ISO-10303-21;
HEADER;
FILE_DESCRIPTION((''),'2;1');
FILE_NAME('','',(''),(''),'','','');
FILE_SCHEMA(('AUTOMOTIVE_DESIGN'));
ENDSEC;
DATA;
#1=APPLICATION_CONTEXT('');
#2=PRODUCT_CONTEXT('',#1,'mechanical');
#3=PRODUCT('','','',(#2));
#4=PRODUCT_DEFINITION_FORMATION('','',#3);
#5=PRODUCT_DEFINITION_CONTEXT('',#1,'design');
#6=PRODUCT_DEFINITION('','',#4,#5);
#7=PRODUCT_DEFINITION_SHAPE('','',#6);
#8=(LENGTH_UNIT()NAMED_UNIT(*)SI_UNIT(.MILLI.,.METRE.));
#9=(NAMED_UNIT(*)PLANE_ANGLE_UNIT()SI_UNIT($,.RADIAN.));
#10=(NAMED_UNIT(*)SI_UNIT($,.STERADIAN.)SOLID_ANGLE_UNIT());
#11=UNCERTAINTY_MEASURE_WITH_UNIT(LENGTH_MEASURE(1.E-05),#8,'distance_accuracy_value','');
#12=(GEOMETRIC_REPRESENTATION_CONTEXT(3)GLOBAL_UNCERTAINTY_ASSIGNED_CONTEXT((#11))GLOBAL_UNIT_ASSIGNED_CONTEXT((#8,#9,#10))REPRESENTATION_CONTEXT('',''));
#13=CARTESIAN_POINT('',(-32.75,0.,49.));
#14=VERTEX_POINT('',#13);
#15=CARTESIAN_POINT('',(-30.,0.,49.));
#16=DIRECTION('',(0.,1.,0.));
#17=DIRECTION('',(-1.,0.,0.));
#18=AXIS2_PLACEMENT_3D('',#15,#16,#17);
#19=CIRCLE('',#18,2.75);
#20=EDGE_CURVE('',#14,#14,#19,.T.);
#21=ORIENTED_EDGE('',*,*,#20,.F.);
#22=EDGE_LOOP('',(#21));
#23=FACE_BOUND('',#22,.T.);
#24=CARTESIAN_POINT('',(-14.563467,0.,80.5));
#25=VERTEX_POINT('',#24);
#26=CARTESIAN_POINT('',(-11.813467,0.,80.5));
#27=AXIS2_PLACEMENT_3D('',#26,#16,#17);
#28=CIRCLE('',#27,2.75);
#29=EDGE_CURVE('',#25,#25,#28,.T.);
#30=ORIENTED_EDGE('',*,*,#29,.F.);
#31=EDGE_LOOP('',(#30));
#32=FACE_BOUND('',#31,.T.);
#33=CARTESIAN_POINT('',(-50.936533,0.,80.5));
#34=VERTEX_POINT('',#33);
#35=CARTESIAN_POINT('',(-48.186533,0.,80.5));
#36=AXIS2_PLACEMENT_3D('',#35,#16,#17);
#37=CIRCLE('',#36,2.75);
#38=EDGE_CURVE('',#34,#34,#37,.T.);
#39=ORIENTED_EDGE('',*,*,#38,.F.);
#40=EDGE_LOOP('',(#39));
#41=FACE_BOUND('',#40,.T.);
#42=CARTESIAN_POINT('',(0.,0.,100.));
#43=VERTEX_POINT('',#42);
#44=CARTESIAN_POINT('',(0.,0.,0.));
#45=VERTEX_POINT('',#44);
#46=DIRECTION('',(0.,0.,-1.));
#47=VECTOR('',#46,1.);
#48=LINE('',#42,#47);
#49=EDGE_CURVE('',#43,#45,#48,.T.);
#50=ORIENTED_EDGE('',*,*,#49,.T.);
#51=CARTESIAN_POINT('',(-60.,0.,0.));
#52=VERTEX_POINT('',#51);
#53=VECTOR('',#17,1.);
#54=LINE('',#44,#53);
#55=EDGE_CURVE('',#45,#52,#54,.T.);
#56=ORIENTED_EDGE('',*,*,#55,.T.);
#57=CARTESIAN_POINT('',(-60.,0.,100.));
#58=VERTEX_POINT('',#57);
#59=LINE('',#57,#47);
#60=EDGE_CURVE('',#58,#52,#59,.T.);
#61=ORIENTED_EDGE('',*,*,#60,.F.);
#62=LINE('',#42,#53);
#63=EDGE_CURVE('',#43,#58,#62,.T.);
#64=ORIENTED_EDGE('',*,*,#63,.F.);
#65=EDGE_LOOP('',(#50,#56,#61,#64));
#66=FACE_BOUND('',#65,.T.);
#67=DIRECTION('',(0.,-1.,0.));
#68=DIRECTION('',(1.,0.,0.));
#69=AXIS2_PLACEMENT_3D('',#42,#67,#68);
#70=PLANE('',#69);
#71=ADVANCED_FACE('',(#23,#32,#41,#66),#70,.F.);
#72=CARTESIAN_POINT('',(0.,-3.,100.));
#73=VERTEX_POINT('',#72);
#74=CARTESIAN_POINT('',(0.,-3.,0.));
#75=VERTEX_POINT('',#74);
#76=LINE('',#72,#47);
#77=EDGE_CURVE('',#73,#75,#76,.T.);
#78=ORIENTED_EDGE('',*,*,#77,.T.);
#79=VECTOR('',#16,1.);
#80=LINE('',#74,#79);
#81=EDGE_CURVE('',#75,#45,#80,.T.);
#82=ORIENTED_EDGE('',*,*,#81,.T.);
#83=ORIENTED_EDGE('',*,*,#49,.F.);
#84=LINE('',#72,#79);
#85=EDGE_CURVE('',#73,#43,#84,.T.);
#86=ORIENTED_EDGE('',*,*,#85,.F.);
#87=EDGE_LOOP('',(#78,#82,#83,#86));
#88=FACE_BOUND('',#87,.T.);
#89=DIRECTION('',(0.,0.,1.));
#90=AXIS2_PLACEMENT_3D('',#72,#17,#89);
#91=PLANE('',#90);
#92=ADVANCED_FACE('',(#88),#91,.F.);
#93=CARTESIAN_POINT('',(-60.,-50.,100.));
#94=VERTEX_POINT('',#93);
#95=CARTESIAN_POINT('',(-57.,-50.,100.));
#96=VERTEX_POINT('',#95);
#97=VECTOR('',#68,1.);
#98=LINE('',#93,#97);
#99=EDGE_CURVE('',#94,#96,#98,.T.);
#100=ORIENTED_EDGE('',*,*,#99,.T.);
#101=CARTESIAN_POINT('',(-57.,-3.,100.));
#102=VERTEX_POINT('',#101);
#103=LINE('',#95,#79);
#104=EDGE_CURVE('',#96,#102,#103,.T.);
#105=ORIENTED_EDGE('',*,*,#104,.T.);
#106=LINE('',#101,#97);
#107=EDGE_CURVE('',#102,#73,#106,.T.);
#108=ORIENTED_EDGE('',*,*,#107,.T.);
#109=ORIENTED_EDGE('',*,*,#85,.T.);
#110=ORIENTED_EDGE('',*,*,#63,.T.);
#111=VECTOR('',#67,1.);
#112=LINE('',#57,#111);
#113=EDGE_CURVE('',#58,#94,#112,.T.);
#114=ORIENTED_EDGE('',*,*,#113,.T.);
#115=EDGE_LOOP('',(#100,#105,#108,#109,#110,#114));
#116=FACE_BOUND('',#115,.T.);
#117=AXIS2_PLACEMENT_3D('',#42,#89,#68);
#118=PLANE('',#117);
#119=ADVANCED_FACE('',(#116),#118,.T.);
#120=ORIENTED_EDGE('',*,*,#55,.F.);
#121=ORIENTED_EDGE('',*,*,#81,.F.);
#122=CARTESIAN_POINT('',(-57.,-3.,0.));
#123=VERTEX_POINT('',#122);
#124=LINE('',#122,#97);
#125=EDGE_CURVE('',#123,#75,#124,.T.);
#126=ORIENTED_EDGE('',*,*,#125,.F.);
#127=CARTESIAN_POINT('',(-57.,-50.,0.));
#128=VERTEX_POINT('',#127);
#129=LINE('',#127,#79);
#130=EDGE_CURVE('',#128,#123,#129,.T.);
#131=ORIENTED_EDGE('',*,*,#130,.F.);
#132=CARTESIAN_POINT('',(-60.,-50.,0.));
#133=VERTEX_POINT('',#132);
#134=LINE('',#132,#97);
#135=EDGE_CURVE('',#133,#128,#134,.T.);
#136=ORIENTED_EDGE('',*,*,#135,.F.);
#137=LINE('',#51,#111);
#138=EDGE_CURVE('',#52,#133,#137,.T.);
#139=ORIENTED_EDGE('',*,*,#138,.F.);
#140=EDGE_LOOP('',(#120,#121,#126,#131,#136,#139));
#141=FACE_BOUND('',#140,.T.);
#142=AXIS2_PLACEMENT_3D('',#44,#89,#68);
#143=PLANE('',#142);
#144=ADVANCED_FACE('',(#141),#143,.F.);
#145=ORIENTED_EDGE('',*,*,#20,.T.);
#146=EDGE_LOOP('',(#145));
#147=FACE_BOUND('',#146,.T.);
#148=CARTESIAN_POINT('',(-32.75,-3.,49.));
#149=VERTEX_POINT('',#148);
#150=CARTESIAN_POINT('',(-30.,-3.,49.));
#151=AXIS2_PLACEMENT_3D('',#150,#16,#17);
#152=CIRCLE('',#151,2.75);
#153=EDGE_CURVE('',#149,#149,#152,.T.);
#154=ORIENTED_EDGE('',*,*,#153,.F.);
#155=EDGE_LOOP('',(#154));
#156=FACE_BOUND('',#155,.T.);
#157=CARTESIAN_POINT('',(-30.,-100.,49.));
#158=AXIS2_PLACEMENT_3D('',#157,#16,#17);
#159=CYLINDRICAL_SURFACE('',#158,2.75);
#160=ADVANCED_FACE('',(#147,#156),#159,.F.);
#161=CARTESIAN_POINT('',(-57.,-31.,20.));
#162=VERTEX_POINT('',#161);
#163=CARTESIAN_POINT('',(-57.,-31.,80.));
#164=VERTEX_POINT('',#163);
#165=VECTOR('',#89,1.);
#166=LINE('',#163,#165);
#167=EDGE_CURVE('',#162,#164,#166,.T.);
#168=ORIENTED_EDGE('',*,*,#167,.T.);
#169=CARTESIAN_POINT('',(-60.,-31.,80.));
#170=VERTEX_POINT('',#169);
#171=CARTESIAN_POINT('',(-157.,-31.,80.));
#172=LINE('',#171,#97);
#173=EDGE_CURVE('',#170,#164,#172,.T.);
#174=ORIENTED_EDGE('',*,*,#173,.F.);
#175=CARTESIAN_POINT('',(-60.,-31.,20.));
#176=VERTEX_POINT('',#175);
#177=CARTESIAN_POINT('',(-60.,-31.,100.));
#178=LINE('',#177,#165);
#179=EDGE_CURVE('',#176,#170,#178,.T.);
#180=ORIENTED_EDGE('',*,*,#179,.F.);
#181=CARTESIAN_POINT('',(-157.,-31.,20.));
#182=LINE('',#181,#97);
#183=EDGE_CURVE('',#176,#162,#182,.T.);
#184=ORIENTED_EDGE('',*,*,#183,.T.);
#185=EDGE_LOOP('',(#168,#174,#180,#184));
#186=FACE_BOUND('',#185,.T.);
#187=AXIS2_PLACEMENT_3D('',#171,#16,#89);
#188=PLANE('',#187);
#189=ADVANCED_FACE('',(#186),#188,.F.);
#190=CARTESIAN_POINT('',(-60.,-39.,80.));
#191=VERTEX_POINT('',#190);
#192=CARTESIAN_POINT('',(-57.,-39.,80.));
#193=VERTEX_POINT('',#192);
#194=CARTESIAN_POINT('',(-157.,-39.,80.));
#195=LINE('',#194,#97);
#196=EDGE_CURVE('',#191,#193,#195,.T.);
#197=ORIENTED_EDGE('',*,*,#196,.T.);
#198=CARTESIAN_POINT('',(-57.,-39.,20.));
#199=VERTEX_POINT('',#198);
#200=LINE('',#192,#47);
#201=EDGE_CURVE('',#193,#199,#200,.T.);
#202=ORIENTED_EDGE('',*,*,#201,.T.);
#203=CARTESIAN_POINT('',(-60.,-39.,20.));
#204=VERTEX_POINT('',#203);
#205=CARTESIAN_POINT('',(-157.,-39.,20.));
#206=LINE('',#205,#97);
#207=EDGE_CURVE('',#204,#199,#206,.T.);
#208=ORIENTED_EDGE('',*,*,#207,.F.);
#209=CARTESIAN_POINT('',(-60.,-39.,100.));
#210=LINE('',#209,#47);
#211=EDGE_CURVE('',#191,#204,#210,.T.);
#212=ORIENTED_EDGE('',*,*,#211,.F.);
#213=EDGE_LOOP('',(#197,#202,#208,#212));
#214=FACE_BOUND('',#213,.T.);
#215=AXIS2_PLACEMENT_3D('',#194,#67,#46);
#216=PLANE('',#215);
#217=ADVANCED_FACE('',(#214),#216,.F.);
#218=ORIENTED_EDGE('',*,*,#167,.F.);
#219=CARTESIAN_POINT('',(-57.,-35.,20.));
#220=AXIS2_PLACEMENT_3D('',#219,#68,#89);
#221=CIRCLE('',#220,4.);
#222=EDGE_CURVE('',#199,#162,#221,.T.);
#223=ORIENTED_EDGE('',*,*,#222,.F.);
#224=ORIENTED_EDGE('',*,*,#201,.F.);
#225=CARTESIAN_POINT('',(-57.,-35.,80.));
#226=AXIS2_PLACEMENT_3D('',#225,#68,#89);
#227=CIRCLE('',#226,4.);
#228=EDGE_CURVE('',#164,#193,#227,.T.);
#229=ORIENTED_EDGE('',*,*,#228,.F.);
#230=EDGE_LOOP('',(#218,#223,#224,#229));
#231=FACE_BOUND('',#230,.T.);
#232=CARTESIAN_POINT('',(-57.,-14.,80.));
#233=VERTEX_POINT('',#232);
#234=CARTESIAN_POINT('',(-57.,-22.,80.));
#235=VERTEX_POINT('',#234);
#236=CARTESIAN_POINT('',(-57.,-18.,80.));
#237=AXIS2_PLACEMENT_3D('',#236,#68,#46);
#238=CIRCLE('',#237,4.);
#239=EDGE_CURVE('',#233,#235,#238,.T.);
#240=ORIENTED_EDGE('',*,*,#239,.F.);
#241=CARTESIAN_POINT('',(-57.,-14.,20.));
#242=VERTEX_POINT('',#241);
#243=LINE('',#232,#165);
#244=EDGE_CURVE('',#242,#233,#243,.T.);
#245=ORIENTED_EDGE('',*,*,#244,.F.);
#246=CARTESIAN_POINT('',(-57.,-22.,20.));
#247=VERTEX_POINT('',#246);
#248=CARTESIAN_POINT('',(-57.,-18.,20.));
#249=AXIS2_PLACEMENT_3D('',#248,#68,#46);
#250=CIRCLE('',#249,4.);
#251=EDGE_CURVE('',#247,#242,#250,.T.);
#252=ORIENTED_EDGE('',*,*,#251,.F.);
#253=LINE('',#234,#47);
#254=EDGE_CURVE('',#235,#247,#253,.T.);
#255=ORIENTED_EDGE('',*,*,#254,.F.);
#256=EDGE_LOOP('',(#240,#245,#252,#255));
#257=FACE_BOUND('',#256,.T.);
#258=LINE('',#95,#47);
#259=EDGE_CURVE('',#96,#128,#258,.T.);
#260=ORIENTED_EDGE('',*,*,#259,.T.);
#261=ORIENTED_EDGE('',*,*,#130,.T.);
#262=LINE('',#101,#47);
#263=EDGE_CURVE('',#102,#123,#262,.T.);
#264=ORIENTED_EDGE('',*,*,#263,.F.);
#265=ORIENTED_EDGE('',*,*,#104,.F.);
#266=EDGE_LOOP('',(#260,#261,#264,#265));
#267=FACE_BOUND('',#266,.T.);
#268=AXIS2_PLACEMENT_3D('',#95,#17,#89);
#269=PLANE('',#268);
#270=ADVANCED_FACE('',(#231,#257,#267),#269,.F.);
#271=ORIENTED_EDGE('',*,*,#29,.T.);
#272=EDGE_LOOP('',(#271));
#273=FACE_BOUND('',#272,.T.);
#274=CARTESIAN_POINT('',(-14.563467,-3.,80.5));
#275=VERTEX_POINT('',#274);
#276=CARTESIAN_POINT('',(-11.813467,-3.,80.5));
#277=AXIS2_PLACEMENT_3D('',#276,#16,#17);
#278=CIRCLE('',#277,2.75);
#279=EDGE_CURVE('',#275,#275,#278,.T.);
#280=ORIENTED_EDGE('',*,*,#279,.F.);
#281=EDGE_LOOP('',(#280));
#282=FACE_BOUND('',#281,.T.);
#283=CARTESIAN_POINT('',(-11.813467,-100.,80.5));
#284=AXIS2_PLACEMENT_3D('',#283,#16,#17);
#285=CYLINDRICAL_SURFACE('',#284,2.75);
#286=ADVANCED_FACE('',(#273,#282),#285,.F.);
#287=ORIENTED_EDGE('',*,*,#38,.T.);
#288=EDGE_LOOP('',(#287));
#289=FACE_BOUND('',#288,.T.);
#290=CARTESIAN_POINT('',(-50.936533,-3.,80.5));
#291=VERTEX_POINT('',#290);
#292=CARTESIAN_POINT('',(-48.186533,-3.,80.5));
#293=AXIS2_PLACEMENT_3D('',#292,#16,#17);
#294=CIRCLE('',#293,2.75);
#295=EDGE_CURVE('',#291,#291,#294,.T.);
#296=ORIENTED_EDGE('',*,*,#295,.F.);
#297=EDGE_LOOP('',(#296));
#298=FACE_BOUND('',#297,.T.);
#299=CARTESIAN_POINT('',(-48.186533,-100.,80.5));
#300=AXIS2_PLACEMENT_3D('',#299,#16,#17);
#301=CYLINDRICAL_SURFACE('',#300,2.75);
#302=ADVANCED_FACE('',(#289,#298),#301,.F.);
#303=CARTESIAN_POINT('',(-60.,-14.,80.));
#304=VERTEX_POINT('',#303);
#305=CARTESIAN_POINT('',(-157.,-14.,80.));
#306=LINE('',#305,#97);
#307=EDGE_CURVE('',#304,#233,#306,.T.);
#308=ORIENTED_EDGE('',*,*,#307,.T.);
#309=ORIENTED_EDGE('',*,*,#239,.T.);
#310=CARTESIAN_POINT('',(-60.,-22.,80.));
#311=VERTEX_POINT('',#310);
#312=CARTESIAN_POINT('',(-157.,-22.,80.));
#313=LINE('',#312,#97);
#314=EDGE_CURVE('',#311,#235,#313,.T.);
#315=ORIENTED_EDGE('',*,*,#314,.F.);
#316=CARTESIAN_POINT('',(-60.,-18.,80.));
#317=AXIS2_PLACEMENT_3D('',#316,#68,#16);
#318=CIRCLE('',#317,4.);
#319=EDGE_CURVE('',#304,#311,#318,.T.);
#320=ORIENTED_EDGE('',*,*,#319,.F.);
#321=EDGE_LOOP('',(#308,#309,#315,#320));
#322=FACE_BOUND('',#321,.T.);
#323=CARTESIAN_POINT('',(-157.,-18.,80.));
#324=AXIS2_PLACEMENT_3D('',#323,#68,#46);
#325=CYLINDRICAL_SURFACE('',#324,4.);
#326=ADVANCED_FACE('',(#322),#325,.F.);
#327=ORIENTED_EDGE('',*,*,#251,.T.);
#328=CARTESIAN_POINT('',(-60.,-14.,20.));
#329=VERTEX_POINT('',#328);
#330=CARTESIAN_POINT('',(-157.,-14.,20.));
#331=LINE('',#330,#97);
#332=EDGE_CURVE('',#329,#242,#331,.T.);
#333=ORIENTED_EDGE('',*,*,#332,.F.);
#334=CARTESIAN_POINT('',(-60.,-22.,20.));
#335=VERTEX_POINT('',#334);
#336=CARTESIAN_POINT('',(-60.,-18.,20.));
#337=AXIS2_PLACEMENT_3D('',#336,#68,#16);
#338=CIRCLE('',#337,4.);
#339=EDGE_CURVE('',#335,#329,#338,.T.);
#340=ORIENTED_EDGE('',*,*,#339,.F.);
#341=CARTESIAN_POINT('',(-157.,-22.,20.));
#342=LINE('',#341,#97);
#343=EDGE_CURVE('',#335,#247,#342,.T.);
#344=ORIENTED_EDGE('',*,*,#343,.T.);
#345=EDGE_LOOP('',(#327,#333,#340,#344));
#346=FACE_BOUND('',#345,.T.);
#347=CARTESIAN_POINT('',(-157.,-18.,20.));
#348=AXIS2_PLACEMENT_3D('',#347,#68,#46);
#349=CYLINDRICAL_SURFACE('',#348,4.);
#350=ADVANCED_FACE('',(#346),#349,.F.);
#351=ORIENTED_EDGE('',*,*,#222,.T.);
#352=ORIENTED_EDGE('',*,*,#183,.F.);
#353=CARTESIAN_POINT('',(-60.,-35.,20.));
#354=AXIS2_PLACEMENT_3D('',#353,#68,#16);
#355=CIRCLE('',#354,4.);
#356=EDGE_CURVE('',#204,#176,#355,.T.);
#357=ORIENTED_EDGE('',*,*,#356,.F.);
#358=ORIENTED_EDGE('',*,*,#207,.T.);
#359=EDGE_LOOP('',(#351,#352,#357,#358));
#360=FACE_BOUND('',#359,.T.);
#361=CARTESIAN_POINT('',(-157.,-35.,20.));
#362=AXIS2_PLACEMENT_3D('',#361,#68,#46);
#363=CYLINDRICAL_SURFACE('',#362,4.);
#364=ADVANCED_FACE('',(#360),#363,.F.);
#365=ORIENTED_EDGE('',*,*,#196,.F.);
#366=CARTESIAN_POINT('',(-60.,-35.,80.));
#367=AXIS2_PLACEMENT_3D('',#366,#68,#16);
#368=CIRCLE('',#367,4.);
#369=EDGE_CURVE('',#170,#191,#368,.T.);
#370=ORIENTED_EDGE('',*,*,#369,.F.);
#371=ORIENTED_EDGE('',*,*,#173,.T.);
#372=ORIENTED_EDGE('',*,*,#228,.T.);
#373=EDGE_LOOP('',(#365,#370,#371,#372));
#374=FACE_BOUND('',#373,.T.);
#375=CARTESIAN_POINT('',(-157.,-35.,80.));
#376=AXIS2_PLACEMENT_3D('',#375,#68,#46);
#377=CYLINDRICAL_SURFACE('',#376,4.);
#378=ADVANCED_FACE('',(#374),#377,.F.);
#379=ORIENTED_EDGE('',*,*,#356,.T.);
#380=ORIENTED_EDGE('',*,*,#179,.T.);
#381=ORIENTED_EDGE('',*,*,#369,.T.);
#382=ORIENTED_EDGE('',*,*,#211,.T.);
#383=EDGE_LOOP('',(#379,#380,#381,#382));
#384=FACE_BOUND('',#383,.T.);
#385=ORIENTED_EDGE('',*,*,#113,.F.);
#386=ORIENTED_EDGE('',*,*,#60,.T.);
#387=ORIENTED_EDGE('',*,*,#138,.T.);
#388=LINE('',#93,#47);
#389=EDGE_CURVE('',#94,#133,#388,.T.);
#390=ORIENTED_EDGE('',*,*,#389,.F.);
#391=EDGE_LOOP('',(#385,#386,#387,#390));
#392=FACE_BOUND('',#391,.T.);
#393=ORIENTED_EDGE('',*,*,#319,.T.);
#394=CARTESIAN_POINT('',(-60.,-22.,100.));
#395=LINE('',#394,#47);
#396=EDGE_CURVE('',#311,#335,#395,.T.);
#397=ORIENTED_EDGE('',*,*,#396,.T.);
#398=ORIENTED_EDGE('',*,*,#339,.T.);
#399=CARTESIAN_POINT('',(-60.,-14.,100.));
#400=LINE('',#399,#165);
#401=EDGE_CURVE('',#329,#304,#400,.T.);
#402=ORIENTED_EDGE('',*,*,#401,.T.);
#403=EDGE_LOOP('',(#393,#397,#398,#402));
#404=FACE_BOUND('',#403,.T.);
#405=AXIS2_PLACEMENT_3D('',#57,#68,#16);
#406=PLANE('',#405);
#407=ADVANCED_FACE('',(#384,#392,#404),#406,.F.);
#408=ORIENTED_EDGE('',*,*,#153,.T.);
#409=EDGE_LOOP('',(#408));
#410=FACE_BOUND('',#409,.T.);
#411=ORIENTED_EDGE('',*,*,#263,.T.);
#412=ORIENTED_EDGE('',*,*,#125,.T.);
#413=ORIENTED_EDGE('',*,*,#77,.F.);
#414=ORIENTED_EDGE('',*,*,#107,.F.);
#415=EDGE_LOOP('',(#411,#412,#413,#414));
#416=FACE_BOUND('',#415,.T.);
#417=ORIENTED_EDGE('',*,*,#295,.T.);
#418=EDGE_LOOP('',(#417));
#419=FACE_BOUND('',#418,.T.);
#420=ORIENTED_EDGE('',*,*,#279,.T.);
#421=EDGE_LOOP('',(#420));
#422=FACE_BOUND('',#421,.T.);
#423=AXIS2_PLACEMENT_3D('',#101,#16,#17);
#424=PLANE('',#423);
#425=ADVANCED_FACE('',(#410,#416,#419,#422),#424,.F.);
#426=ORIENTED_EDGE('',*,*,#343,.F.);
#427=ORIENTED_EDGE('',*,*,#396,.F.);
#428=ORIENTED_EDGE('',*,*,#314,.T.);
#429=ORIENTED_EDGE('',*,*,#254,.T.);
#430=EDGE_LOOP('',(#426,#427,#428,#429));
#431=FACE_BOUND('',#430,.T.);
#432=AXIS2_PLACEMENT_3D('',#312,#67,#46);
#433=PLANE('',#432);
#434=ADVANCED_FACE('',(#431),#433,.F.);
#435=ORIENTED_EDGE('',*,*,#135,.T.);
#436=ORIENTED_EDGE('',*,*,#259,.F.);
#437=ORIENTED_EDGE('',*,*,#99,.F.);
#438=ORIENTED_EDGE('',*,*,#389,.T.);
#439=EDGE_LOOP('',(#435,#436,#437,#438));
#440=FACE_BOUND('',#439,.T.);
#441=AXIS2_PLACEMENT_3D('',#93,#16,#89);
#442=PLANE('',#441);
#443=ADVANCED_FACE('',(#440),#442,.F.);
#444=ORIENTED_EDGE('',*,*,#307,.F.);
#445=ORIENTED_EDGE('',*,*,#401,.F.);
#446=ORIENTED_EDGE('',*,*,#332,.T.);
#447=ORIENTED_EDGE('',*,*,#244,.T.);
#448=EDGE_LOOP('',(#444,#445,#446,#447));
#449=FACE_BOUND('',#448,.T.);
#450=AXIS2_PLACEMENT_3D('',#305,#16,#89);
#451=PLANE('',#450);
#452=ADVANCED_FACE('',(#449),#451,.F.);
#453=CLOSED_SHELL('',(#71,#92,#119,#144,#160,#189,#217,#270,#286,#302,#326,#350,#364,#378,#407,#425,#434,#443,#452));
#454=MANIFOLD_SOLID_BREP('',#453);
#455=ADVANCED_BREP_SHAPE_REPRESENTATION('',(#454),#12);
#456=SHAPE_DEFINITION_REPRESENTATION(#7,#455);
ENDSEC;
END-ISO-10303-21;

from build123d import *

# Parameters (mm, degrees)
BOSS_EXTRUDE1_DEPTH = 100
SKETCH2_R           = 2.75
CUT_EXTRUDE1_DEPTH  = 100
CUT_EXTRUDE2_DEPTH  = 100


with BuildPart() as part:
    # Sketch1 → Boss-Extrude1 (new body)
    with BuildSketch(Plane.XY):
        Polygon((0, 0), (-60, 0), (-60, -50), (-57, -50), (-57, -3), (0, -3), align=None)
    extrude(amount=BOSS_EXTRUDE1_DEPTH)

    # Sketch2 → Cut-Extrude1 (cut)
    with BuildSketch(Plane(origin=(0, 0, 0), x_dir=(1, 0, 0), z_dir=(0, 1, 0))):
        with Locations(Location((-11.813466521, -80.5, 0), (0, 0, 180))):
            Circle(SKETCH2_R)
        with Locations(Location((-48.186533479, -80.5, 0), (0, 0, 180))):
            Circle(SKETCH2_R)
        with Locations(Location((-30, -49, 0), (0, 0, 180))):
            Circle(SKETCH2_R)
    extrude(amount=-CUT_EXTRUDE1_DEPTH, mode=Mode.SUBTRACT)

    # Sketch3 → Cut-Extrude2 (cut)
    with BuildSketch(Plane(origin=(-57, 0, 0), x_dir=(0, 0, -1), z_dir=(1, 0, 0))):
        with BuildLine():
            Line((-80, -14), (-20, -14))
            ThreePointArc((-20, -14), (-16, -18), (-20, -22))
            Line((-20, -22), (-80, -22))
            ThreePointArc((-80, -22), (-84, -18), (-80, -14))
        make_face()
        with BuildLine():
            Line((-80, -39), (-20, -39))
            ThreePointArc((-20, -39), (-16, -35), (-20, -31))
            Line((-20, -31), (-80, -31))
            ThreePointArc((-80, -31), (-84, -35), (-80, -39))
        make_face()
    extrude(amount=-CUT_EXTRUDE2_DEPTH, mode=Mode.SUBTRACT)


solid = part.part
